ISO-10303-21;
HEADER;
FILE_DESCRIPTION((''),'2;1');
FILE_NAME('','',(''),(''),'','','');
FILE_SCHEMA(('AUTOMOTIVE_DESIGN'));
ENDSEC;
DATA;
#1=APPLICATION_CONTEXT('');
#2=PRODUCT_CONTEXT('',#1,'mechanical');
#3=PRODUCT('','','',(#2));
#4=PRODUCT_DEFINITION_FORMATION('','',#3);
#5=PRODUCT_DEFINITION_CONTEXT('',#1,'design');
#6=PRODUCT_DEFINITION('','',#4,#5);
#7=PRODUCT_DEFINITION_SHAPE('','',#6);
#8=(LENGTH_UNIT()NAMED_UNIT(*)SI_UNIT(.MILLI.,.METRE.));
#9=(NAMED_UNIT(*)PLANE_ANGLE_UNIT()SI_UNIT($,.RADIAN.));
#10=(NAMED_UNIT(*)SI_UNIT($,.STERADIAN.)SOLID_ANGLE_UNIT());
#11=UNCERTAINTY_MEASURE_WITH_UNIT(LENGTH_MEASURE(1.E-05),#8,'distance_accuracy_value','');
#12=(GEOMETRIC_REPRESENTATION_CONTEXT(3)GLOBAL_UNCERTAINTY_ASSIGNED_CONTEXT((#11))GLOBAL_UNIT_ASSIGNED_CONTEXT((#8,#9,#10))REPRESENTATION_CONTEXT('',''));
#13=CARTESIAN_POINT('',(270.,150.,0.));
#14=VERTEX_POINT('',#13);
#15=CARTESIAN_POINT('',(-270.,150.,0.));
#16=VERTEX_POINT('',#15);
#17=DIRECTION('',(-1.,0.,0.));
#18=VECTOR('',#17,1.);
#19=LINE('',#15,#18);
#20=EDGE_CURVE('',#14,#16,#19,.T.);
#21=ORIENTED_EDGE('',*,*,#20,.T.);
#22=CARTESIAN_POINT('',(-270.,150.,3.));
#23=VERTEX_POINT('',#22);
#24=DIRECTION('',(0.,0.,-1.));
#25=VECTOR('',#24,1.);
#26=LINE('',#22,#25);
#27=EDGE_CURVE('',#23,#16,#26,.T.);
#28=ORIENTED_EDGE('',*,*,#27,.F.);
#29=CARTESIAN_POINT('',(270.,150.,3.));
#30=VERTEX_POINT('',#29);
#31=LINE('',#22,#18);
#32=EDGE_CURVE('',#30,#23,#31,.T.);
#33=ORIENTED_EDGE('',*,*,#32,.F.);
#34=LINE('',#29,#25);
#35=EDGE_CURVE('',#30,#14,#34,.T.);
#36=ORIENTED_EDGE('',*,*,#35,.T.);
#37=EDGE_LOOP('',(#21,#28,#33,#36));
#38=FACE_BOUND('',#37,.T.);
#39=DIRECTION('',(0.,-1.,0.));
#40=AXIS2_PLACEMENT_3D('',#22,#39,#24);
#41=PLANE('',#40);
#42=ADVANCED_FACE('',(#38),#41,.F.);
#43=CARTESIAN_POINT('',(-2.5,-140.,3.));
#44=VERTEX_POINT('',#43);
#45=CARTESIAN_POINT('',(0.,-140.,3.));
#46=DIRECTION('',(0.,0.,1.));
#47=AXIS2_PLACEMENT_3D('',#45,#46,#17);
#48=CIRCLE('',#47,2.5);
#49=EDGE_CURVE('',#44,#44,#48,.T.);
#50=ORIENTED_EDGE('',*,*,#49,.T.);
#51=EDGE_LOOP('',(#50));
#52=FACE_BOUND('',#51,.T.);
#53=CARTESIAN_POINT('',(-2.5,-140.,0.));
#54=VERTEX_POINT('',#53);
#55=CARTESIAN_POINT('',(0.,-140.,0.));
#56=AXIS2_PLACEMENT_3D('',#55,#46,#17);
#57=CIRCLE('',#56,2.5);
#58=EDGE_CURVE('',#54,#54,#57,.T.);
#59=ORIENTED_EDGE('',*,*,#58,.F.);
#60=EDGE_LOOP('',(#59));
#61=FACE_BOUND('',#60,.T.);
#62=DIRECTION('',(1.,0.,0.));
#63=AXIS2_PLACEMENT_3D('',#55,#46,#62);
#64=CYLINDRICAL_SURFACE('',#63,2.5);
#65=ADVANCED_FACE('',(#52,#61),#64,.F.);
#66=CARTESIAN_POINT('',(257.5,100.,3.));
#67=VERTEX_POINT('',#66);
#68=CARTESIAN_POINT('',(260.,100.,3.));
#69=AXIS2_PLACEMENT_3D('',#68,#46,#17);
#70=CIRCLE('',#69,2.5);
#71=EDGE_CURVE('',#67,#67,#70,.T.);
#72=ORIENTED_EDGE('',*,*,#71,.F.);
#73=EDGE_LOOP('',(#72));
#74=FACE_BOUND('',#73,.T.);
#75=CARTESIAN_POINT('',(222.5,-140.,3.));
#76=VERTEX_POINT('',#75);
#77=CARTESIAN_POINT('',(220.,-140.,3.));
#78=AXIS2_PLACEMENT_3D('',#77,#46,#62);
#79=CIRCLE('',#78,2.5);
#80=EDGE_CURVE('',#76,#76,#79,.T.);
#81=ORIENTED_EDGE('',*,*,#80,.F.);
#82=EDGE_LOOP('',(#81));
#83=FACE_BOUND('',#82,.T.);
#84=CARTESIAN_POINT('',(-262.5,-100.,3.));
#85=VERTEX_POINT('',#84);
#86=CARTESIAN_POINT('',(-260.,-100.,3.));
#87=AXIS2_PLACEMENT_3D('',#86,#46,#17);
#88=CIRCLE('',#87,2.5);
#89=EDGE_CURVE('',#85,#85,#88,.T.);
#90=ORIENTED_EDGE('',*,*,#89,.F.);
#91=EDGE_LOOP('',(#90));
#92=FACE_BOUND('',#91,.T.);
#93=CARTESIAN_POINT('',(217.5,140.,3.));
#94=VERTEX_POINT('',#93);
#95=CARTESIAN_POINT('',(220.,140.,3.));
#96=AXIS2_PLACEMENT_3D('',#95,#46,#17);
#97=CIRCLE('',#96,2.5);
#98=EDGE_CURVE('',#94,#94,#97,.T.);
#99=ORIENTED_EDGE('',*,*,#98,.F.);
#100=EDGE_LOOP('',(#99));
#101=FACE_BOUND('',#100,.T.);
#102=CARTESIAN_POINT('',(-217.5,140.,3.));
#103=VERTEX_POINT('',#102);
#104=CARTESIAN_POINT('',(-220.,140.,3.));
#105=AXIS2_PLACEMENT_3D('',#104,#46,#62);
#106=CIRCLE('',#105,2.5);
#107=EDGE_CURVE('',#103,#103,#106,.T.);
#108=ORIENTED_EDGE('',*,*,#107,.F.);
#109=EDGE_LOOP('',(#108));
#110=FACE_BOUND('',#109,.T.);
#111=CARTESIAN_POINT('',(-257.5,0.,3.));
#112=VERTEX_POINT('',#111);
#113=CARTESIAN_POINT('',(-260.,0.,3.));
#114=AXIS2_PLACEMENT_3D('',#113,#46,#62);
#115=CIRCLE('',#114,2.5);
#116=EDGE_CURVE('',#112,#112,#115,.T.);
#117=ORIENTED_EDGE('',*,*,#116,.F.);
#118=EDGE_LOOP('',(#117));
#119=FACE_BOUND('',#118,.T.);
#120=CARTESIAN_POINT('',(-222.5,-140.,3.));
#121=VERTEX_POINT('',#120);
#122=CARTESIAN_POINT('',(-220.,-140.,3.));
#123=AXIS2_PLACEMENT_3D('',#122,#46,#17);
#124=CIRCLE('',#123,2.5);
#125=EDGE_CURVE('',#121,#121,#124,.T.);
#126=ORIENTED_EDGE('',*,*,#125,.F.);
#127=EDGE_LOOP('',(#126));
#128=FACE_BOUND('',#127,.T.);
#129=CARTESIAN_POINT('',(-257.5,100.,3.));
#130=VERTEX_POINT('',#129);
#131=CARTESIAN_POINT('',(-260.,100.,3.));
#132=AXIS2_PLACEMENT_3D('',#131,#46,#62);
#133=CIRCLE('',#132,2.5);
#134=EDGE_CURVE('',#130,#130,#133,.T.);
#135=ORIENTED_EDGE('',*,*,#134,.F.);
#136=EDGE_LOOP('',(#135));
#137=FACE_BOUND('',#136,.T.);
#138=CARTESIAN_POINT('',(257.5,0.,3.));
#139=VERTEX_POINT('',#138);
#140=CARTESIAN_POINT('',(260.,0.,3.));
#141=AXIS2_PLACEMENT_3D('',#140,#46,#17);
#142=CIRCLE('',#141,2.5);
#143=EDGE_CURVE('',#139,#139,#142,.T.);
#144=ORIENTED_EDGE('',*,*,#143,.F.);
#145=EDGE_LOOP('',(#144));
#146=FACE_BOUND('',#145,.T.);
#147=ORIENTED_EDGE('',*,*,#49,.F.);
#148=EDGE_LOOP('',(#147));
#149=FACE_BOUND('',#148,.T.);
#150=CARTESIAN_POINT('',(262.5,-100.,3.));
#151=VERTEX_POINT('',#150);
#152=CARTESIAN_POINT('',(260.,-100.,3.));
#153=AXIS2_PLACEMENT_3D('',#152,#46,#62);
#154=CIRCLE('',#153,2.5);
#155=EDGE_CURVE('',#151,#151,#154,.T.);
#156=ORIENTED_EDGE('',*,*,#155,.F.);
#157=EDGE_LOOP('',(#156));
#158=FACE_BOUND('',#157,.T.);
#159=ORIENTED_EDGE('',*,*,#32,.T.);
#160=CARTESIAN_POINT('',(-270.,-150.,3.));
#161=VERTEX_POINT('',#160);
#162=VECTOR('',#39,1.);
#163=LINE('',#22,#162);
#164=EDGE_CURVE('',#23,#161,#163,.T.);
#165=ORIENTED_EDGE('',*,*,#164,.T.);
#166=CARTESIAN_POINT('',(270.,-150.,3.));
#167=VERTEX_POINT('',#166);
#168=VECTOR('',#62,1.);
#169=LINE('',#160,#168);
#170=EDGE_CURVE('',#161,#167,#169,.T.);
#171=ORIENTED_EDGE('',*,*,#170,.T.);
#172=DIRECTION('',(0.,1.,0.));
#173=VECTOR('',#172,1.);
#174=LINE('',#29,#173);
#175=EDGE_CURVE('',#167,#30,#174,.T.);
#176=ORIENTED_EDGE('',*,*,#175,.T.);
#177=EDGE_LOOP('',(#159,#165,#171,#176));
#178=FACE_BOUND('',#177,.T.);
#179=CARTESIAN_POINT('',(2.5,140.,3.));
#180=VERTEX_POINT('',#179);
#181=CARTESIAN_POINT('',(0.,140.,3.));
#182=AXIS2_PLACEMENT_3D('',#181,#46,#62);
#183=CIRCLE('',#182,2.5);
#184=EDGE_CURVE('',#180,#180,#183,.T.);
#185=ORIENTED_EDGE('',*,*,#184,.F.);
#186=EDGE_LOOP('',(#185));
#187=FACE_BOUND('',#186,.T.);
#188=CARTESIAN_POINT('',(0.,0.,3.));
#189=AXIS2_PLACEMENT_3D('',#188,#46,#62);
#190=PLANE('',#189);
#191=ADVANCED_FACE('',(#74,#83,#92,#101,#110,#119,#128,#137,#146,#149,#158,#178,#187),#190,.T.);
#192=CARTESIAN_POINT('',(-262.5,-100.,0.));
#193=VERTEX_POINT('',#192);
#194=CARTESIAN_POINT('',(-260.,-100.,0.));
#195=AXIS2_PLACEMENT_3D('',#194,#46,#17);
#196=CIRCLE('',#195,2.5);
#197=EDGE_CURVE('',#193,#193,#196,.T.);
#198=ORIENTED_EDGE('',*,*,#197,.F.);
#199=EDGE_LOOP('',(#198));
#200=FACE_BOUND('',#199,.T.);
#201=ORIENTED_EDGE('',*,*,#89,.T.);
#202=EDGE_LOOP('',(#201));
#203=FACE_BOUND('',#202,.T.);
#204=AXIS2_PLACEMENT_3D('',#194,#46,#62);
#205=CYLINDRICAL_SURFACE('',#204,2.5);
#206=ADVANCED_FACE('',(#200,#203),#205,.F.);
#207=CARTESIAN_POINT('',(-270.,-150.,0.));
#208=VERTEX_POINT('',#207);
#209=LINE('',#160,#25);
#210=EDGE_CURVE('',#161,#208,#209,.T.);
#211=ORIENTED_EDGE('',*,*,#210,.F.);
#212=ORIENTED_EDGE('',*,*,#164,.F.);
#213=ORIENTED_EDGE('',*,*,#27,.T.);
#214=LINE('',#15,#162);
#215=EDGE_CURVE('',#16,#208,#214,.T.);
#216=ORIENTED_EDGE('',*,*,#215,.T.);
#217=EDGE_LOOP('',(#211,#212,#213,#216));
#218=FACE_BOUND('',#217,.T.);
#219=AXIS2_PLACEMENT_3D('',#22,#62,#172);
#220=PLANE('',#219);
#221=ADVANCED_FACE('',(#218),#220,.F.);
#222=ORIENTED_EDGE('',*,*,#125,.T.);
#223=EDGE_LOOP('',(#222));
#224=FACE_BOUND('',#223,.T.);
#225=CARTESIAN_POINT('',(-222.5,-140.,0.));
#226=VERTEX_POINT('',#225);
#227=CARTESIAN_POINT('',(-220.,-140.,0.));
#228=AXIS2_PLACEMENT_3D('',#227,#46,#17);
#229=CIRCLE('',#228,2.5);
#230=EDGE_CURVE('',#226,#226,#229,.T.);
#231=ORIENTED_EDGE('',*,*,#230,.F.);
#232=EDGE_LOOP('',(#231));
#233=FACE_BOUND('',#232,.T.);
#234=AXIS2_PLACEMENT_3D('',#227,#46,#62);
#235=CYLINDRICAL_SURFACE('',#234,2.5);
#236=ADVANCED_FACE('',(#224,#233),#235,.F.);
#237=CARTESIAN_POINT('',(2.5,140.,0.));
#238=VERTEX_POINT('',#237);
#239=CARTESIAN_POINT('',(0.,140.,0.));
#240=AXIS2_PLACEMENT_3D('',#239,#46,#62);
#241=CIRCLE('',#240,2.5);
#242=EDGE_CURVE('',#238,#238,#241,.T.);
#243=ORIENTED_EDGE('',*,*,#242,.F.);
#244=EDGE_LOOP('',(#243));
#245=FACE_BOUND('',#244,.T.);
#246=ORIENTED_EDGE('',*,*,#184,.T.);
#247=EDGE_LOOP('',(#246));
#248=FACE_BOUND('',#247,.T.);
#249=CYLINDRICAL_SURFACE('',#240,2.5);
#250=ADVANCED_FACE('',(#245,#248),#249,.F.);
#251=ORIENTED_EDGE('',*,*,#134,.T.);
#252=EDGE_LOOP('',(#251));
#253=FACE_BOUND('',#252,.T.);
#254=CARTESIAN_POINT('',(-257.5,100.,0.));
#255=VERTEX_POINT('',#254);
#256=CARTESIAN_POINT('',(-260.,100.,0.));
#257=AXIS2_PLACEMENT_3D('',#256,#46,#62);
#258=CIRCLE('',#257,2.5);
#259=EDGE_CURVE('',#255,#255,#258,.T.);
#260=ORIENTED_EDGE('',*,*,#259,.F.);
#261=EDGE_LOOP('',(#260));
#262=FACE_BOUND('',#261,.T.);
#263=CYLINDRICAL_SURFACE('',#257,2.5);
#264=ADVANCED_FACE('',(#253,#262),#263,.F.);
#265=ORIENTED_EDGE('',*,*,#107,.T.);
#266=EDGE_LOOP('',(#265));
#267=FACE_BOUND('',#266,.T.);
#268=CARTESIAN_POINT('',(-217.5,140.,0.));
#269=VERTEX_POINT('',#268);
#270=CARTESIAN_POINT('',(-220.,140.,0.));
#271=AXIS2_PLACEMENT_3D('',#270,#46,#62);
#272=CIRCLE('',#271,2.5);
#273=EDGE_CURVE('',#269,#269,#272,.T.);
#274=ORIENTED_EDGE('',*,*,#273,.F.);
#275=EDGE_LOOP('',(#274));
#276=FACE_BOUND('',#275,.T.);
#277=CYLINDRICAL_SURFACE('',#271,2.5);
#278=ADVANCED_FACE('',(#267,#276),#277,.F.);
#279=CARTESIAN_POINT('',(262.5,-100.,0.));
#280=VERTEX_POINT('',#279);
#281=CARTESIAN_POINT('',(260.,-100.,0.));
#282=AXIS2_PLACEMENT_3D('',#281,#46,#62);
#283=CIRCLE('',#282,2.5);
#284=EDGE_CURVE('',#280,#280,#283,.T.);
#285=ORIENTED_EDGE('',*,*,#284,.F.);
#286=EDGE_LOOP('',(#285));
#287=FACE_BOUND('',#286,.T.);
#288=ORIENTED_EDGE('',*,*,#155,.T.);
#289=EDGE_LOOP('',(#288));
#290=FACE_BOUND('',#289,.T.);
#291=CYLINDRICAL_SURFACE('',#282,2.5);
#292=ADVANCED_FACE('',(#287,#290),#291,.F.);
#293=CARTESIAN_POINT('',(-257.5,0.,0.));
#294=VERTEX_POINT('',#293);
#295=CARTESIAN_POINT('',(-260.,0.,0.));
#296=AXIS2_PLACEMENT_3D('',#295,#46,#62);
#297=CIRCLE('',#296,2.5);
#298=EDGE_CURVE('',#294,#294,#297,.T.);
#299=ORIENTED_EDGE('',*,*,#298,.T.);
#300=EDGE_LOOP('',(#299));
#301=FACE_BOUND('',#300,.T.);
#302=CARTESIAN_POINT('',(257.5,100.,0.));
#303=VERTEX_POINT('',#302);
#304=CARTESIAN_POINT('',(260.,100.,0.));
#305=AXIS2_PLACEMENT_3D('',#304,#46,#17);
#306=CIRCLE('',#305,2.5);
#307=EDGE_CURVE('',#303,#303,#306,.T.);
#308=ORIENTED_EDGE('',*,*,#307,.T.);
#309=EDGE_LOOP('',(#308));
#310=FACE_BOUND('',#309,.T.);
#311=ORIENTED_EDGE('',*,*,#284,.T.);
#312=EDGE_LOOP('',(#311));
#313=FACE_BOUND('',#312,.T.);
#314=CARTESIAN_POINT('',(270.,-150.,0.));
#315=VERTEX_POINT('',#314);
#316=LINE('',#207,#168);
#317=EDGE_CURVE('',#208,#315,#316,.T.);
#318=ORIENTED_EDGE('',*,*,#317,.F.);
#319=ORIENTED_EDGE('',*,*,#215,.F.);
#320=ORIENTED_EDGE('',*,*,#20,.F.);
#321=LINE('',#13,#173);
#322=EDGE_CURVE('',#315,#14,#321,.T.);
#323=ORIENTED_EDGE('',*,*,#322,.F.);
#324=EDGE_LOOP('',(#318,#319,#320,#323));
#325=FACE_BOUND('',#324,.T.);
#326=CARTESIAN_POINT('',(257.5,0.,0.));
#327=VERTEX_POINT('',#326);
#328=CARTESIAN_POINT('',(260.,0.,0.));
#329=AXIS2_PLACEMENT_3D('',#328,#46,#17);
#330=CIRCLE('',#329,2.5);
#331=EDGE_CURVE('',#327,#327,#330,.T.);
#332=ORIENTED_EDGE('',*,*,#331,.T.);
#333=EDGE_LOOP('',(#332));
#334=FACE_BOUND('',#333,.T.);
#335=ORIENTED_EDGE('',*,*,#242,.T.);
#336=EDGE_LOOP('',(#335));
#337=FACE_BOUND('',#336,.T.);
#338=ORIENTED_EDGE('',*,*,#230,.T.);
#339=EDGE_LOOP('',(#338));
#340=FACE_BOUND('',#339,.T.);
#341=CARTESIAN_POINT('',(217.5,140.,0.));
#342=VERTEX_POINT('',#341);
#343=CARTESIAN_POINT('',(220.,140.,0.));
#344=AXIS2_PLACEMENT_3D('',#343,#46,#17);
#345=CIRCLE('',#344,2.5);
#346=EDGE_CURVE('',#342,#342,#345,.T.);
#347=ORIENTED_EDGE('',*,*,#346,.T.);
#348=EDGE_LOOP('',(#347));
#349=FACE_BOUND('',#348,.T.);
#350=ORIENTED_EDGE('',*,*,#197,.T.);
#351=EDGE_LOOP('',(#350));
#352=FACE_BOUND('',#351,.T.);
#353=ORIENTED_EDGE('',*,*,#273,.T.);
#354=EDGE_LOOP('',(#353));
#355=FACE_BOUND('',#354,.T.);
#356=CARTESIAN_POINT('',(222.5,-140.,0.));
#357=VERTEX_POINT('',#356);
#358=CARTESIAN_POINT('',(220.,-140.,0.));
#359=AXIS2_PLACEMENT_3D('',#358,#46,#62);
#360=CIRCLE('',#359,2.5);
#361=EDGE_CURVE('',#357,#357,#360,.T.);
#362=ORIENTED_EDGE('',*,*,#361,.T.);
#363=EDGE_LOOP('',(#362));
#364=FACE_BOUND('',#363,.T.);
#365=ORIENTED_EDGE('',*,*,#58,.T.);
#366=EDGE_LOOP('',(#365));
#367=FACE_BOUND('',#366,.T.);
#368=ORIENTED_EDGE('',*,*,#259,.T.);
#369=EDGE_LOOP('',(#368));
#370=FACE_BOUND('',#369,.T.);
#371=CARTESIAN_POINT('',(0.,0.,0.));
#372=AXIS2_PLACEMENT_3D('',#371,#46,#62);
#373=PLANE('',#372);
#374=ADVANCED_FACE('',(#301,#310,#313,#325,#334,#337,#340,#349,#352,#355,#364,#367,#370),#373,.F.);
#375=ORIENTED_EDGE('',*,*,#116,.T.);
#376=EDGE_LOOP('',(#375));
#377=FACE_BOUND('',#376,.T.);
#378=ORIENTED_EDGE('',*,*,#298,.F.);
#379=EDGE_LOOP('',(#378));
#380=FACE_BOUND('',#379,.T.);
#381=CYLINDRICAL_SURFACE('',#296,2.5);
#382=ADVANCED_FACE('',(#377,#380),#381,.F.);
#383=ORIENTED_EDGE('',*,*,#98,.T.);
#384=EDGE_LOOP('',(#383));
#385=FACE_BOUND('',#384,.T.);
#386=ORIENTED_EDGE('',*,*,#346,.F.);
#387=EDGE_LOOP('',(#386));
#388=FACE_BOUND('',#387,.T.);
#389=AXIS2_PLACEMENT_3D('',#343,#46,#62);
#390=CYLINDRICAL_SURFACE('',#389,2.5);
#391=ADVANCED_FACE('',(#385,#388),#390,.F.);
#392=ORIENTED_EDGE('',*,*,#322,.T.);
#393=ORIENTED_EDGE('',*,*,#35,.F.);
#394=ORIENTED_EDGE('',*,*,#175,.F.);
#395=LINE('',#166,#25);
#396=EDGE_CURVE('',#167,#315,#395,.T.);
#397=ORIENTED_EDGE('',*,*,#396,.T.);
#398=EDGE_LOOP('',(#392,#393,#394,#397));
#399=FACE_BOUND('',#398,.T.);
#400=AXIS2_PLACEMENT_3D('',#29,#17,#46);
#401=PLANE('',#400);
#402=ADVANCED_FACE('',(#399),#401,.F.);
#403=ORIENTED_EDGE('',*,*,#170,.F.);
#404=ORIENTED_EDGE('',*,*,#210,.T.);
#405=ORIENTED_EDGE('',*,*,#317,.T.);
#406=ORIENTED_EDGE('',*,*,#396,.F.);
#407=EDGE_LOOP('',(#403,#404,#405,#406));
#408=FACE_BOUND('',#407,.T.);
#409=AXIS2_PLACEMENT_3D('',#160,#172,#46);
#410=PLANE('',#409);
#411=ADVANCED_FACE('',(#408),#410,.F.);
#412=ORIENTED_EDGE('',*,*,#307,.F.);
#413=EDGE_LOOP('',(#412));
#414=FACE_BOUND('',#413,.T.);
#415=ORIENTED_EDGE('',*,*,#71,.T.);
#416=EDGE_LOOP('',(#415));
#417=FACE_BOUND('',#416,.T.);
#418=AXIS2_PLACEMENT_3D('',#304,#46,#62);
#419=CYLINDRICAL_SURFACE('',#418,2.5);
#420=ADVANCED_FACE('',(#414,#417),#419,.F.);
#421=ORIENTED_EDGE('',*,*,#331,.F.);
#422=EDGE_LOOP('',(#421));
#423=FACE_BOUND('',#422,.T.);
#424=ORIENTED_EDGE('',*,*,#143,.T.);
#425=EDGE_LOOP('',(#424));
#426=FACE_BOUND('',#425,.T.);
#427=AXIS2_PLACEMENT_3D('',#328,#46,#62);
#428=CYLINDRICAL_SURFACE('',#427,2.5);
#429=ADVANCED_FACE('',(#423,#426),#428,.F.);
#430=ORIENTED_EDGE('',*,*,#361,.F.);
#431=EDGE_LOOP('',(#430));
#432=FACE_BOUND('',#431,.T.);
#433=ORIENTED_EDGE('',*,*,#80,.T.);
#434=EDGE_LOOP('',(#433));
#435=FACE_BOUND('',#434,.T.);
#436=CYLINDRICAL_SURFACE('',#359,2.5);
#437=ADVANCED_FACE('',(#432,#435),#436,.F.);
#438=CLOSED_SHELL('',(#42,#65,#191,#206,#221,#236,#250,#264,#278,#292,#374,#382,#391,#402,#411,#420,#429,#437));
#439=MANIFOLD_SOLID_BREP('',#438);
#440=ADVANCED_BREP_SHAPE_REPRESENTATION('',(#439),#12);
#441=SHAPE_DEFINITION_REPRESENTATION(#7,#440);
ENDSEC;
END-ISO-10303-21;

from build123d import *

# Parameters (mm, degrees)
CROQUIS1_W              = 540
CROQUIS1_H              = 300
SALIENTE_EXTRUIR1_DEPTH = 3
CROQUIS2_R              = 2.5
CORTAR_EXTRUIR1_DEPTH   = 4


with BuildPart() as part:
    # Croquis1 → Saliente-Extruir1 (new body)
    with BuildSketch(Plane.XY):
        Rectangle(CROQUIS1_W, CROQUIS1_H)
    extrude(amount=SALIENTE_EXTRUIR1_DEPTH)

    # Croquis2 → Cortar-Extruir1 (cut, through all)
    with BuildSketch(Plane.XY.offset(3)):
        with Locations((0, 140)):
            Circle(CROQUIS2_R)
        with Locations((-220, 140)):
            Circle(CROQUIS2_R)
        with Locations((-260, 0)):
            Circle(CROQUIS2_R)
        with Locations((-260, 100)):
            Circle(CROQUIS2_R)
        with Locations((-260, -100)):
            Circle(CROQUIS2_R)
        with Locations((220, 140)):
            Circle(CROQUIS2_R)
        with Locations((260, -100)):
            Circle(CROQUIS2_R)
        with Locations((260, 0)):
            Circle(CROQUIS2_R)
        with Locations((260, 100)):
            Circle(CROQUIS2_R)
        with Locations((220, -140)):
            Circle(CROQUIS2_R)
        with Locations((0, -140)):
            Circle(CROQUIS2_R)
        with Locations((-220, -140)):
            Circle(CROQUIS2_R)
    extrude(amount=-CORTAR_EXTRUIR1_DEPTH, mode=Mode.SUBTRACT)


solid = part.part
